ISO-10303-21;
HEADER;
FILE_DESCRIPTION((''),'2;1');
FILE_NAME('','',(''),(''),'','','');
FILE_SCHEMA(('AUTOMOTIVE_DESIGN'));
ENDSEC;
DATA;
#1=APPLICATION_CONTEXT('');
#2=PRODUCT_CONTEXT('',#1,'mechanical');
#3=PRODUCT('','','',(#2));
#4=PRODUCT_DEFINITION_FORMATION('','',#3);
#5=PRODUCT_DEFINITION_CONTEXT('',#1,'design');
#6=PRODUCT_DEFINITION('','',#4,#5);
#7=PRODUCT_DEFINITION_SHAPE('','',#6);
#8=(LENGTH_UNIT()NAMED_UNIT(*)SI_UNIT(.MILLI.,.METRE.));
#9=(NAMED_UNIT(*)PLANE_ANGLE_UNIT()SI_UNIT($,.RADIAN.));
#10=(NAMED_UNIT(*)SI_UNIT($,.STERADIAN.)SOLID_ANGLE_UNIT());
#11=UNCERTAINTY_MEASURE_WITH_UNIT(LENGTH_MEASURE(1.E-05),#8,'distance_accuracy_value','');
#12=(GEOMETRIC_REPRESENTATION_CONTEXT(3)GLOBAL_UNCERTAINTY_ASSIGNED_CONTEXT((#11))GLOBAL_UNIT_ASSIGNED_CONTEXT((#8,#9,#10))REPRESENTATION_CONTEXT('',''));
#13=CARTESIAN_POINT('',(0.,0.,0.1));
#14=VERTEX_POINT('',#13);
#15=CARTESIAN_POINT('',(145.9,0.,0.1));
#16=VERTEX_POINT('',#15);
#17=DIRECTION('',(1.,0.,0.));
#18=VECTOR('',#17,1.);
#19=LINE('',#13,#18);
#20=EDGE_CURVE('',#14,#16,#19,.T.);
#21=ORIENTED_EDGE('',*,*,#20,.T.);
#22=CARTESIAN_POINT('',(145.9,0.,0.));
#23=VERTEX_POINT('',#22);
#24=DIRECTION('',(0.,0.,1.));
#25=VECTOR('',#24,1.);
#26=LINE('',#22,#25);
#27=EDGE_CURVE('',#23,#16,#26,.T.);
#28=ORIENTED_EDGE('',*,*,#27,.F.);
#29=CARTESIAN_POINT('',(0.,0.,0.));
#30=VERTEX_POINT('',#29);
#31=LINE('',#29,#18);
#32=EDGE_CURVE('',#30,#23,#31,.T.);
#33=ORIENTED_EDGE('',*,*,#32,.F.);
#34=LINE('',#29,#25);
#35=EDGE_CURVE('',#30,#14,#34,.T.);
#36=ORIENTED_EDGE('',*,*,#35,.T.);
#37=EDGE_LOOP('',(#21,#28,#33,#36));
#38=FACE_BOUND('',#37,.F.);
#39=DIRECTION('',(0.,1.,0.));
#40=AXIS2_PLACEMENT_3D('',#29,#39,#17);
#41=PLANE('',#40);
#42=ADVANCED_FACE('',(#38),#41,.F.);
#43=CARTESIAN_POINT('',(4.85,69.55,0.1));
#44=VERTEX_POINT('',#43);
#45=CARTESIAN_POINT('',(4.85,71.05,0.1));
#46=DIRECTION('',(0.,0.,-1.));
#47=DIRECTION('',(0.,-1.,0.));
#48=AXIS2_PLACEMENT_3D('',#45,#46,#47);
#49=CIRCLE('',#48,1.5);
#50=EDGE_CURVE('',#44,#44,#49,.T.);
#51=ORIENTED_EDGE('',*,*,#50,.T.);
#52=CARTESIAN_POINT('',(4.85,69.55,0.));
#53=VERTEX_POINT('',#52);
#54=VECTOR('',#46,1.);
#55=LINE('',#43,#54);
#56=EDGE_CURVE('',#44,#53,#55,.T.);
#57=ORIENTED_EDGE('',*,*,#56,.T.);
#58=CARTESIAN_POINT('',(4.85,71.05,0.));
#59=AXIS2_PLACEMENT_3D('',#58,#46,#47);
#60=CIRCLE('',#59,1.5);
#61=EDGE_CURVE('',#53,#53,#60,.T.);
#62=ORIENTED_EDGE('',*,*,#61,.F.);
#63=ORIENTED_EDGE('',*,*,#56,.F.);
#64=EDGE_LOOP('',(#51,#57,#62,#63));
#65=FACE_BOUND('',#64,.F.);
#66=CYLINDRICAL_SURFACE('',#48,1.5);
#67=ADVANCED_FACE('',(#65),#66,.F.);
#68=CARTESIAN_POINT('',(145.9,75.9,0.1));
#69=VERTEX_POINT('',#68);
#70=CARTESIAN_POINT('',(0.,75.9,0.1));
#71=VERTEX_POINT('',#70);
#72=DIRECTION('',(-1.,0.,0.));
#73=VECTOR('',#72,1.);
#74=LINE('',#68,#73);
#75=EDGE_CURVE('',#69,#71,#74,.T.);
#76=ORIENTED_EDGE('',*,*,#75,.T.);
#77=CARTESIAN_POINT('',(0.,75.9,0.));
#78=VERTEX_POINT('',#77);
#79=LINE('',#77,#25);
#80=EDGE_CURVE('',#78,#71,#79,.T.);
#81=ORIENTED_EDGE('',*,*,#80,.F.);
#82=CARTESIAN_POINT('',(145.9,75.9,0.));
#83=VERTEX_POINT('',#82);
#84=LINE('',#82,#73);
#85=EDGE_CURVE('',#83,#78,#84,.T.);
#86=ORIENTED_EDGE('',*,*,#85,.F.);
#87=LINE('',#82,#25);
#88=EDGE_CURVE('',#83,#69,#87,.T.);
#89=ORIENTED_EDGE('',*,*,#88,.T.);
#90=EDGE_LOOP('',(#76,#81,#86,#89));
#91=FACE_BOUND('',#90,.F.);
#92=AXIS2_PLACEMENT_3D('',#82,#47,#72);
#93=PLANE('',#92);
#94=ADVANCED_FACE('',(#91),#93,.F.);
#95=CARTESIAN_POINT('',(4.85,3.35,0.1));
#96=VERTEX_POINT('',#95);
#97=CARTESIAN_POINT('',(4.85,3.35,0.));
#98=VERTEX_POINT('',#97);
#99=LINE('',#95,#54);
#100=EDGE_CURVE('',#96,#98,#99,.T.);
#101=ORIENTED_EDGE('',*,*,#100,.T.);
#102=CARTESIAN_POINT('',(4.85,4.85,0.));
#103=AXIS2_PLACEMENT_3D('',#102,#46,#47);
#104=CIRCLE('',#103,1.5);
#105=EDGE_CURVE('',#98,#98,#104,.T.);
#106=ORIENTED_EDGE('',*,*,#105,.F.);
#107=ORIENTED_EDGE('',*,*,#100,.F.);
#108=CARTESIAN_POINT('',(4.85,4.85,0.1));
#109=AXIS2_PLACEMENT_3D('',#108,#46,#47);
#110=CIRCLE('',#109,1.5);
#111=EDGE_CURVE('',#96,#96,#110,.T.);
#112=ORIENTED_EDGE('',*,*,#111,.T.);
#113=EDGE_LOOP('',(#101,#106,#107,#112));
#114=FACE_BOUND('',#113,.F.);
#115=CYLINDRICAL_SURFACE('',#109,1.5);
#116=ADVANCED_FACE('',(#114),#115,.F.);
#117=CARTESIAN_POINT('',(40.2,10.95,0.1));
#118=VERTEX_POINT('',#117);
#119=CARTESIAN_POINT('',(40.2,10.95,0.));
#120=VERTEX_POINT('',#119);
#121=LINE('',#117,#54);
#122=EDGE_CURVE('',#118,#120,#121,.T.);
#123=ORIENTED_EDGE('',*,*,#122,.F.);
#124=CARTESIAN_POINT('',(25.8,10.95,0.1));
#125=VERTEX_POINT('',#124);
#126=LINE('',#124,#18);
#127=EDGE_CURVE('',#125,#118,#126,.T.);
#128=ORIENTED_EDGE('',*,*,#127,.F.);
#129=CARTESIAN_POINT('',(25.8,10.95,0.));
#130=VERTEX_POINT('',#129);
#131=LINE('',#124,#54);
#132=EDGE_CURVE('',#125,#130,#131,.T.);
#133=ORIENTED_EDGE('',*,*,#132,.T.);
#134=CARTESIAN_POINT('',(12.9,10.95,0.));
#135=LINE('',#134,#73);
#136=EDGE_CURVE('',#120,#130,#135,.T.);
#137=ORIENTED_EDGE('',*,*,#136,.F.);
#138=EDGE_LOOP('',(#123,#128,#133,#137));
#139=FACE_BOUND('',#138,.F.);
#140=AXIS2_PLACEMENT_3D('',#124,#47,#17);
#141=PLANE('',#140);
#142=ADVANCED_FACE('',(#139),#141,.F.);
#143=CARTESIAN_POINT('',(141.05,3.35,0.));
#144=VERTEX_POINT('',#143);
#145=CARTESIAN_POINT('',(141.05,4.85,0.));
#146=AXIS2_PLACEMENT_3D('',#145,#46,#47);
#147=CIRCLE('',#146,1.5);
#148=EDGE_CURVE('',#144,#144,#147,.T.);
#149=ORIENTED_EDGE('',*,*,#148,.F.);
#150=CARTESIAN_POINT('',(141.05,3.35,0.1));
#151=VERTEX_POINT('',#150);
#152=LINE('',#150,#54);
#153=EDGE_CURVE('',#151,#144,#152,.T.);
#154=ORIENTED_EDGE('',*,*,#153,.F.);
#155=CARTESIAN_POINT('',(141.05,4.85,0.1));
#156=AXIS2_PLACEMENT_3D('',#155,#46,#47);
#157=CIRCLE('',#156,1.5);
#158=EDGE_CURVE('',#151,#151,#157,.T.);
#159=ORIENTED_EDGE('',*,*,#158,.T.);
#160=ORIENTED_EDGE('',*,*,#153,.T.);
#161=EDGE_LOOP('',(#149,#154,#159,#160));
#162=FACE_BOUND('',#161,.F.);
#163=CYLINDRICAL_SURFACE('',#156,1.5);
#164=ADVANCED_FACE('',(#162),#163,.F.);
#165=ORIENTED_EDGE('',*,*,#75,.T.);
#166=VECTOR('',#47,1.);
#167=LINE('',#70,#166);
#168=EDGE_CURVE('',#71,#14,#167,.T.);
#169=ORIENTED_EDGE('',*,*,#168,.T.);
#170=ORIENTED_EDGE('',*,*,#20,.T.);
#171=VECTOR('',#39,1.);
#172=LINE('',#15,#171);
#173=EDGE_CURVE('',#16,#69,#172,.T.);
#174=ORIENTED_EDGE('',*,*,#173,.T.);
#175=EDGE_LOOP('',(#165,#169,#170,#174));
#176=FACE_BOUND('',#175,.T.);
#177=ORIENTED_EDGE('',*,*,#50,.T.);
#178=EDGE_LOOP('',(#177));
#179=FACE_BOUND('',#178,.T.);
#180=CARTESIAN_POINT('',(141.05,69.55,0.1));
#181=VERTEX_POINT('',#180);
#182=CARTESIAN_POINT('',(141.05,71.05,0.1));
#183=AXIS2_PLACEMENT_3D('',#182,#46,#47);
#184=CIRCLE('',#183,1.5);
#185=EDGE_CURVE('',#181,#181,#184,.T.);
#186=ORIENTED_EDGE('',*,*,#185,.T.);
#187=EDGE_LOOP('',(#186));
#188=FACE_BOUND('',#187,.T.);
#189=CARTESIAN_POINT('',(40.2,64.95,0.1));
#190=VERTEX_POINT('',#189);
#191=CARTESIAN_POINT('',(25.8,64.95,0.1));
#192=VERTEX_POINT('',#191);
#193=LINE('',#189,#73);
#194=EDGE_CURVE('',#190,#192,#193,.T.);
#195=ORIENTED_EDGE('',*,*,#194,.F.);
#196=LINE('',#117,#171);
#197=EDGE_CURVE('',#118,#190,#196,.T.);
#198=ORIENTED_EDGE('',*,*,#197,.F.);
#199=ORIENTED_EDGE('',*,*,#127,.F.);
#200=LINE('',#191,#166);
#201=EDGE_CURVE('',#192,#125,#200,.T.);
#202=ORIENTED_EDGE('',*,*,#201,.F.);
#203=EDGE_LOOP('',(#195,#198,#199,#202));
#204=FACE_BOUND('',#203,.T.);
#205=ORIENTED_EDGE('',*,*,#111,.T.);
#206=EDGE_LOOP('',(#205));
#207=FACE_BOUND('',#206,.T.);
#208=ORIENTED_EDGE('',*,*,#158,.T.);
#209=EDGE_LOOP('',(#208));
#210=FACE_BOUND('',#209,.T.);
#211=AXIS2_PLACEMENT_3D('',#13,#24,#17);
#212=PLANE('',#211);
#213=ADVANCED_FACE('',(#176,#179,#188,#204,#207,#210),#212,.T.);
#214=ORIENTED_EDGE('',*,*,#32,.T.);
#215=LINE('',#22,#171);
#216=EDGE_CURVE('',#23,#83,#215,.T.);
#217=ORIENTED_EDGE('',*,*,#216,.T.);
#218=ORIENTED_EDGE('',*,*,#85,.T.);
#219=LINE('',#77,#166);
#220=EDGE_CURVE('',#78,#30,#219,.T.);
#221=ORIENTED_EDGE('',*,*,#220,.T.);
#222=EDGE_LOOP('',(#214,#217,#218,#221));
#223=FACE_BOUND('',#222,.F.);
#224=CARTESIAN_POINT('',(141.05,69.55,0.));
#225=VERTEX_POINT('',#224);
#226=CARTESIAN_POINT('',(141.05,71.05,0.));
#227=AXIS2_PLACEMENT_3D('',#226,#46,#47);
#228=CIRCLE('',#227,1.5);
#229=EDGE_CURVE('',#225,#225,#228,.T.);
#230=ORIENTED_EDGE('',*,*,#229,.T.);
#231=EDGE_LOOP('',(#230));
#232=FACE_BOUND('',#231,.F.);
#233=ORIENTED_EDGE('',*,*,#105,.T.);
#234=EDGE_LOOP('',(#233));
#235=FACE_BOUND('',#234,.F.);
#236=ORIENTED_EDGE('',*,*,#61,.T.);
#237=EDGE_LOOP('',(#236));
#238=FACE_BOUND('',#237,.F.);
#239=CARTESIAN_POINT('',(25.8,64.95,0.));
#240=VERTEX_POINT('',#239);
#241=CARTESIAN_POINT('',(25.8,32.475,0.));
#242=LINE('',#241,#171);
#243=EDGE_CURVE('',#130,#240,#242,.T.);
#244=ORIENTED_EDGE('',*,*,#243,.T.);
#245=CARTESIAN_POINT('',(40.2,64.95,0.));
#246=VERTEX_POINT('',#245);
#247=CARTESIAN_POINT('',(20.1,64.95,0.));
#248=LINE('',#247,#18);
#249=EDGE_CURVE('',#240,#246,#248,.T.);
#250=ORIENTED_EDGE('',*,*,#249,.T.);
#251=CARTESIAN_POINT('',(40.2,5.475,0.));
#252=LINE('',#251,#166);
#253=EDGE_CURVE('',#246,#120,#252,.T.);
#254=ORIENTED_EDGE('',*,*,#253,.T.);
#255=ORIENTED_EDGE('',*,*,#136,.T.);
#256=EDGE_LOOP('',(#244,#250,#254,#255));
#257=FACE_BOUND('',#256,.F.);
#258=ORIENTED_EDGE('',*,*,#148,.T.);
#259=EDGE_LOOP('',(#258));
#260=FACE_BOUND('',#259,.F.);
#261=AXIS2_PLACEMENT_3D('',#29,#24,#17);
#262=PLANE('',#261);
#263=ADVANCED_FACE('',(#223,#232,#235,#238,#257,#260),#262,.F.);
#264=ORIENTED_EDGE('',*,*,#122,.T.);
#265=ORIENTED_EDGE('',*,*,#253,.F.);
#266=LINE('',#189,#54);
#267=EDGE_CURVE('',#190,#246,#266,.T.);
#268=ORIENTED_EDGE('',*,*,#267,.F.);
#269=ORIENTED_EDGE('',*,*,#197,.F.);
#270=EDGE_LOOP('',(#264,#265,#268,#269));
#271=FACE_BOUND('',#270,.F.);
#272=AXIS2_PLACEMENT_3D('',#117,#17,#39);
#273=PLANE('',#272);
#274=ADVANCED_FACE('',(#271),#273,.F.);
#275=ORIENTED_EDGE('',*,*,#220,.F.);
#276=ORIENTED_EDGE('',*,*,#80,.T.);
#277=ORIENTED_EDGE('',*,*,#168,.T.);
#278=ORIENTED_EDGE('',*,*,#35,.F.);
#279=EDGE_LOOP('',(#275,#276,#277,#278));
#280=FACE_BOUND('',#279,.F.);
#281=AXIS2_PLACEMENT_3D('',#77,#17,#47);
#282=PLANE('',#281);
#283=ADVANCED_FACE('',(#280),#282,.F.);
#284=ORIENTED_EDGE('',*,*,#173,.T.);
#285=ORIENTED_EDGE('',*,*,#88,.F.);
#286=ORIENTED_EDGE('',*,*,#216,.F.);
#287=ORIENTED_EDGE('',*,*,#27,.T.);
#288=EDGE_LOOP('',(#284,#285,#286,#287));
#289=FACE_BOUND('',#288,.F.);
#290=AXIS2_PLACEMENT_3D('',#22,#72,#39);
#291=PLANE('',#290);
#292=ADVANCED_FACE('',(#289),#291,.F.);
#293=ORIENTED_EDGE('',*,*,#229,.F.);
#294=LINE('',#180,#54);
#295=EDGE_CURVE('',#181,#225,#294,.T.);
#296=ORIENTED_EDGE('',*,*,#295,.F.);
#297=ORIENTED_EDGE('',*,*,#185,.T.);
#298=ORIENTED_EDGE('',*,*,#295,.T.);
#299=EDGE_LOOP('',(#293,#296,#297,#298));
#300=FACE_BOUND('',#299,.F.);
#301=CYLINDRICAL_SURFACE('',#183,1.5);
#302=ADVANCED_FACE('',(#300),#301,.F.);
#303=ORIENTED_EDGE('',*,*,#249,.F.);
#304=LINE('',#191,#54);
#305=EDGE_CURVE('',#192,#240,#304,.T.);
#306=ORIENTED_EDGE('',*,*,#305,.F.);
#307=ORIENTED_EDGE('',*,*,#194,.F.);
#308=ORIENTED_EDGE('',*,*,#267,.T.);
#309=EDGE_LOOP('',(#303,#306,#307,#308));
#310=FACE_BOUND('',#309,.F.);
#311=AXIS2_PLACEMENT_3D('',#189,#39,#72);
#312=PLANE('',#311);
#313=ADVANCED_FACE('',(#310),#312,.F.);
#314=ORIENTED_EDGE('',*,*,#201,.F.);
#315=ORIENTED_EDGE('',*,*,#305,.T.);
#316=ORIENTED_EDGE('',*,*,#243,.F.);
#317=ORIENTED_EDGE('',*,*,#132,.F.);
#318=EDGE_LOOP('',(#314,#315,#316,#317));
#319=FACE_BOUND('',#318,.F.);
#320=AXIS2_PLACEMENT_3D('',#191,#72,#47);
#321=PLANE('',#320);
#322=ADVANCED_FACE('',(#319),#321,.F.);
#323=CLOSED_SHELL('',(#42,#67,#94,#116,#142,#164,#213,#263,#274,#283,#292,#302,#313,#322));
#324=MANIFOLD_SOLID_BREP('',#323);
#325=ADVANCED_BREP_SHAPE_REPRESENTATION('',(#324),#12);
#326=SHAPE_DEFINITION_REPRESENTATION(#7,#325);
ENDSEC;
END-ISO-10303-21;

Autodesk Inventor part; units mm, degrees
ref_plane "YZ Plane" through (0, 0, 0) normal (1, 0, 0) x (0, 1, 0)
ref_plane "XZ Plane" through (0, 0, 0) normal (0, 1, 0) x (-1, 0, 0)
ref_plane "XY Plane" through (0, 0, 0) normal (0, 0, 1) x (1, 0, 0)
sketch "Sketch1" plane through (0, 0, 0) normal (0, 0, 1) x (1, 0, 0)
  line L0 (0, 0) -> (145.9, 0)
  line L1 (145.9, 0) -> (145.9, 75.9)
  line L2 (145.9, 75.9) -> (0, 75.9)
  line L3 (0, 75.9) -> (0, 0)
  dimension "d0" = 145.9
  dimension "d1" = 75.9
extrude "Extrusion1" add sketch "Sketch1" along normal blind 0.1
sketch "Sketch2" plane through (0, 0, 0.1) normal (0, 0, 1) x (1, 0, 0)
  line L0 (0, 0) -> (145.9, 0) construction
  line L1 (145.9, 0) -> (145.9, 75.9) construction
  line L2 (145.9, 75.9) -> (0, 75.9) construction
  line L3 (0, 75.9) -> (0, 0) construction
  line L4 (141.05, 4.85) -> (4.85, 4.85) construction
  line L5 (4.85, 4.85) -> (4.85, 71.05) construction
  line L6 (4.85, 71.05) -> (141.05, 71.05) construction
  line L7 (141.05, 71.05) -> (141.05, 4.85) construction
  dimension "d4" = 4.85
hole "Hole1" at (4.85, 71.05, 0.1) at (4.85, 4.85, 0.1) at (141.05, 4.85, 0.1) at (141.05, 71.05, 0.1) direction (0, 0, -1) diameter 3 end through all
sketch "Sketch3" plane through (0, 0, 0.1) normal (0, 0, 1) x (1, 0, 0)
  line L0 (25.8, 10.95) -> (40.2, 10.95)
  line L1 (40.2, 10.95) -> (40.2, 64.95)
  line L2 (40.2, 64.95) -> (25.8, 64.95)
  line L3 (25.8, 64.95) -> (25.8, 10.95)
  circle A0 centre (141.05, 4.85) radius 1.5 construction
  circle A1 centre (4.85, 71.05) radius 1.5 construction
  circle A2 centre (4.85, 4.85) radius 1.5 construction
  circle A3 centre (141.05, 71.05) radius 1.5 construction
  line L4 (0, 0) -> (145.9, 0) construction
  line L5 (145.9, 0) -> (145.9, 75.9) construction
  line L6 (145.9, 75.9) -> (0, 75.9) construction
  line L7 (0, 75.9) -> (0, 0) construction
  dimension "d20" = 105.7
  dimension "d21" = 14.4
  dimension "d22" = 54
  dimension "d23" = 10.95
extrude "Extrusion2" cut sketch "Sketch3" against normal up to next
properties part number "Paper Sheet" material "Paper"
